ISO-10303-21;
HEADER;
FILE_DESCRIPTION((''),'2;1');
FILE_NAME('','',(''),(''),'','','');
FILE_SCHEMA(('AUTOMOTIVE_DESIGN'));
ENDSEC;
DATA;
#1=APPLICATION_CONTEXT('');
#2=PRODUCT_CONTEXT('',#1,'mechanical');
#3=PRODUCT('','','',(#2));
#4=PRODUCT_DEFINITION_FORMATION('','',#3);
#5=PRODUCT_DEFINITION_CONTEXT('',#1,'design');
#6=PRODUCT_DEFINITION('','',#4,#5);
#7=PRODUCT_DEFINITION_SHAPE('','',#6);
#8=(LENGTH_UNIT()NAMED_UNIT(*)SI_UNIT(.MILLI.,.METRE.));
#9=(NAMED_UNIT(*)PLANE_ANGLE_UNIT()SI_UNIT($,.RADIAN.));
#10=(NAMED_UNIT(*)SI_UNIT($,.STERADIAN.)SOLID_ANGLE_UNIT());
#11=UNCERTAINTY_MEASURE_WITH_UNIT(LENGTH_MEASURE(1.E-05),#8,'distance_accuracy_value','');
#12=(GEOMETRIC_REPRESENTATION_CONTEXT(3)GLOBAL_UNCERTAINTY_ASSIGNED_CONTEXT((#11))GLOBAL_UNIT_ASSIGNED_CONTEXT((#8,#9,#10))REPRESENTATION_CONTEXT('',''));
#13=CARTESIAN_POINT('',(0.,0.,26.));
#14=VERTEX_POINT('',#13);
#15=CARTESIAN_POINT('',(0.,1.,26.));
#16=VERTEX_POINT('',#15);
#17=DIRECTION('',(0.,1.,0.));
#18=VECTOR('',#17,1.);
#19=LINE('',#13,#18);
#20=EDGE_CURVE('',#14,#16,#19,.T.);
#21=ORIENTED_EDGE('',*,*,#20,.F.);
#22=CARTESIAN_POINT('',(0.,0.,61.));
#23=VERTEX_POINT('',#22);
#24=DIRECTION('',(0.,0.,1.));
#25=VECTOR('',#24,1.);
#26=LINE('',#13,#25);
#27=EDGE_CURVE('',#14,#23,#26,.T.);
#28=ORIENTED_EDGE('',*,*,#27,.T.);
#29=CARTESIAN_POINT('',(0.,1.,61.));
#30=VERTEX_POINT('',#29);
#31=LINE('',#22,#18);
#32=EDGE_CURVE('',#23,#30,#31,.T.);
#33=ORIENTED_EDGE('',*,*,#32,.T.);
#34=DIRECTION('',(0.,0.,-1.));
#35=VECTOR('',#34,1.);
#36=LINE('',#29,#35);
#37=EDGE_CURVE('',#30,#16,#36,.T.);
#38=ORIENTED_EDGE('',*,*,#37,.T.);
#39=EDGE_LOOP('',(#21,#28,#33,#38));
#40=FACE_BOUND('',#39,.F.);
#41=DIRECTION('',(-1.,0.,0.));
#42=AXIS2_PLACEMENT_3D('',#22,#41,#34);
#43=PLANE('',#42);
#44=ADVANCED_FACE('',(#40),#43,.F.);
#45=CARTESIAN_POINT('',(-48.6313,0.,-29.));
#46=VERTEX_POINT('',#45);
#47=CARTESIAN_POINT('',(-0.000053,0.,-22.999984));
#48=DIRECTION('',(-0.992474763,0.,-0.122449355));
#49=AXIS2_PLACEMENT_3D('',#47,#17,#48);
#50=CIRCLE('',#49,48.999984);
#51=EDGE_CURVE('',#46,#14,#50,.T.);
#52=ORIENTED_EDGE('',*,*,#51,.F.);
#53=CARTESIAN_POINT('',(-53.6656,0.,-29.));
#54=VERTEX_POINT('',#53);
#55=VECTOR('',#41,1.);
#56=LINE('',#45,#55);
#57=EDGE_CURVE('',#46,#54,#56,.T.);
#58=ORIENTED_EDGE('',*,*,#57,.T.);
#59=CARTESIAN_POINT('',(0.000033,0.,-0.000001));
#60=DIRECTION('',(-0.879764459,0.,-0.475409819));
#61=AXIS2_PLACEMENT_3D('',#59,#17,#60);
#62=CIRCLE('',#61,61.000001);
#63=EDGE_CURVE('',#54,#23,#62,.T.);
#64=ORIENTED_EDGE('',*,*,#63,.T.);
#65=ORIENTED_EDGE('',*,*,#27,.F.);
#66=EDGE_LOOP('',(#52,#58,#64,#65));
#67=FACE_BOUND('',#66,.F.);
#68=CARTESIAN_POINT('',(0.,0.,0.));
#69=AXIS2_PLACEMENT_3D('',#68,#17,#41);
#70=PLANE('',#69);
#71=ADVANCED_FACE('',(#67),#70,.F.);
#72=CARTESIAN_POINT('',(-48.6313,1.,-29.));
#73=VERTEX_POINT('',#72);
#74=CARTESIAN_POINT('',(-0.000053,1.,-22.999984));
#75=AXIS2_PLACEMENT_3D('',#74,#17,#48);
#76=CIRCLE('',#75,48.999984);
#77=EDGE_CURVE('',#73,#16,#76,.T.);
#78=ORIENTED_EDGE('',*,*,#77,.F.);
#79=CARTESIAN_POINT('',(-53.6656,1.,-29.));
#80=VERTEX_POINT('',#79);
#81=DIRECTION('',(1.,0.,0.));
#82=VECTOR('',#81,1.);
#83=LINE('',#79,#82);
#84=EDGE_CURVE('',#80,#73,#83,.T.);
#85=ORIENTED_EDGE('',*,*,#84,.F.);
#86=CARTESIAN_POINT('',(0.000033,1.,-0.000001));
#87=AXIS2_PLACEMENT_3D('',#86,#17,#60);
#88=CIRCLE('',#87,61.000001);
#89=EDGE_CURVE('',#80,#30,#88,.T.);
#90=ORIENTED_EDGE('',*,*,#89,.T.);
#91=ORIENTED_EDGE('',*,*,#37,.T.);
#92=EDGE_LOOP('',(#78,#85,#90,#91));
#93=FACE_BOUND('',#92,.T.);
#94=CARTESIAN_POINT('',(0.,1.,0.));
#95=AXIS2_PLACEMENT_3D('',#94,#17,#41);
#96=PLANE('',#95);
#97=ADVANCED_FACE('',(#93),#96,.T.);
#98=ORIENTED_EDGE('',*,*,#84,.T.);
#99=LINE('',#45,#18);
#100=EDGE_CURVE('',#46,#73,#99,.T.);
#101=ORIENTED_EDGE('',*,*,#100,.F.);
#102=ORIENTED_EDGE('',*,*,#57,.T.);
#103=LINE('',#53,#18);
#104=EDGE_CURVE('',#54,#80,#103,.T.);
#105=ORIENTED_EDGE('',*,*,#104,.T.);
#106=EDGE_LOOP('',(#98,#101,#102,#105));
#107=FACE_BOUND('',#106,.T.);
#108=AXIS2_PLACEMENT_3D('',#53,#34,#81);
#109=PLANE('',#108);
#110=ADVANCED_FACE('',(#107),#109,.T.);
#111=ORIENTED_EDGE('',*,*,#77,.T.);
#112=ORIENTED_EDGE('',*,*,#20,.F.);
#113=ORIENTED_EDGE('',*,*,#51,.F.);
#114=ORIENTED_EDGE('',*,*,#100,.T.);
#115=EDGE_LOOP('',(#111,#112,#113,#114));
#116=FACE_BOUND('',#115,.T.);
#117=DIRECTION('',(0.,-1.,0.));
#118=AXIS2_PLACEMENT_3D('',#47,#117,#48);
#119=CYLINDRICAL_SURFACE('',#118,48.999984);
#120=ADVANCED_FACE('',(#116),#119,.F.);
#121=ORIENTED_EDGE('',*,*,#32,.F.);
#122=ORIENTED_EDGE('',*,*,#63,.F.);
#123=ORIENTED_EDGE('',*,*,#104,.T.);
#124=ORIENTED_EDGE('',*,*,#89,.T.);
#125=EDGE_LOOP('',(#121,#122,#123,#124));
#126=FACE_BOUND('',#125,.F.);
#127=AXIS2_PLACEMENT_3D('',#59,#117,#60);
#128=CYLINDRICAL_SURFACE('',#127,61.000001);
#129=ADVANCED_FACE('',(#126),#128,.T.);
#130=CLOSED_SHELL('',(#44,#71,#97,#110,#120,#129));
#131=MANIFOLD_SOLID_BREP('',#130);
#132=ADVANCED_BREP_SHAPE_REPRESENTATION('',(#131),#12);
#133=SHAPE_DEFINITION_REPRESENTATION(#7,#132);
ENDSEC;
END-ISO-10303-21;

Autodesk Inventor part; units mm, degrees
ref_plane "YZ Plane" through (0, 0, 0) normal (1, 0, 0) x (0, 1, 0)
ref_plane "XZ Plane" through (0, 0, 0) normal (0, 1, 0) x (-1, 0, 0)
ref_plane "XY Plane" through (0, 0, 0) normal (0, 0, 1) x (1, 0, 0)
sketch "Sketch1" plane through (0, 0, 0) normal (0, 1, 0) x (-1, 0, 0)
  arc A0 (53.6656, -29) -> (0, 61) centre (0, 0) ccw
  arc A1 (48.6313, -29) -> (0, 26) centre (0, -23) ccw
  line L0 (53.6656, -29) -> (48.6313, -29)
  line L1 (0, 61) -> (0, 26)
  line L2 (0, -50.0482) -> (0, 97.2892) projected
  arc A2 (49.6387, -29) -> (0, 27) centre (0, -23) ccw
  arc A3 (52.5262, -29) -> (0, 60) centre (0, 0) ccw
  dimension "d3" = 90
  dimension "d6" = 35
  dimension "d7" = 49
  dimension "d8" = 61
  dimension "d10" = 60
  dimension "d11" = 50
  dimension "d12" = 23
extrude "Extrusion1" add sketch "Sketch1" along normal blind 1
